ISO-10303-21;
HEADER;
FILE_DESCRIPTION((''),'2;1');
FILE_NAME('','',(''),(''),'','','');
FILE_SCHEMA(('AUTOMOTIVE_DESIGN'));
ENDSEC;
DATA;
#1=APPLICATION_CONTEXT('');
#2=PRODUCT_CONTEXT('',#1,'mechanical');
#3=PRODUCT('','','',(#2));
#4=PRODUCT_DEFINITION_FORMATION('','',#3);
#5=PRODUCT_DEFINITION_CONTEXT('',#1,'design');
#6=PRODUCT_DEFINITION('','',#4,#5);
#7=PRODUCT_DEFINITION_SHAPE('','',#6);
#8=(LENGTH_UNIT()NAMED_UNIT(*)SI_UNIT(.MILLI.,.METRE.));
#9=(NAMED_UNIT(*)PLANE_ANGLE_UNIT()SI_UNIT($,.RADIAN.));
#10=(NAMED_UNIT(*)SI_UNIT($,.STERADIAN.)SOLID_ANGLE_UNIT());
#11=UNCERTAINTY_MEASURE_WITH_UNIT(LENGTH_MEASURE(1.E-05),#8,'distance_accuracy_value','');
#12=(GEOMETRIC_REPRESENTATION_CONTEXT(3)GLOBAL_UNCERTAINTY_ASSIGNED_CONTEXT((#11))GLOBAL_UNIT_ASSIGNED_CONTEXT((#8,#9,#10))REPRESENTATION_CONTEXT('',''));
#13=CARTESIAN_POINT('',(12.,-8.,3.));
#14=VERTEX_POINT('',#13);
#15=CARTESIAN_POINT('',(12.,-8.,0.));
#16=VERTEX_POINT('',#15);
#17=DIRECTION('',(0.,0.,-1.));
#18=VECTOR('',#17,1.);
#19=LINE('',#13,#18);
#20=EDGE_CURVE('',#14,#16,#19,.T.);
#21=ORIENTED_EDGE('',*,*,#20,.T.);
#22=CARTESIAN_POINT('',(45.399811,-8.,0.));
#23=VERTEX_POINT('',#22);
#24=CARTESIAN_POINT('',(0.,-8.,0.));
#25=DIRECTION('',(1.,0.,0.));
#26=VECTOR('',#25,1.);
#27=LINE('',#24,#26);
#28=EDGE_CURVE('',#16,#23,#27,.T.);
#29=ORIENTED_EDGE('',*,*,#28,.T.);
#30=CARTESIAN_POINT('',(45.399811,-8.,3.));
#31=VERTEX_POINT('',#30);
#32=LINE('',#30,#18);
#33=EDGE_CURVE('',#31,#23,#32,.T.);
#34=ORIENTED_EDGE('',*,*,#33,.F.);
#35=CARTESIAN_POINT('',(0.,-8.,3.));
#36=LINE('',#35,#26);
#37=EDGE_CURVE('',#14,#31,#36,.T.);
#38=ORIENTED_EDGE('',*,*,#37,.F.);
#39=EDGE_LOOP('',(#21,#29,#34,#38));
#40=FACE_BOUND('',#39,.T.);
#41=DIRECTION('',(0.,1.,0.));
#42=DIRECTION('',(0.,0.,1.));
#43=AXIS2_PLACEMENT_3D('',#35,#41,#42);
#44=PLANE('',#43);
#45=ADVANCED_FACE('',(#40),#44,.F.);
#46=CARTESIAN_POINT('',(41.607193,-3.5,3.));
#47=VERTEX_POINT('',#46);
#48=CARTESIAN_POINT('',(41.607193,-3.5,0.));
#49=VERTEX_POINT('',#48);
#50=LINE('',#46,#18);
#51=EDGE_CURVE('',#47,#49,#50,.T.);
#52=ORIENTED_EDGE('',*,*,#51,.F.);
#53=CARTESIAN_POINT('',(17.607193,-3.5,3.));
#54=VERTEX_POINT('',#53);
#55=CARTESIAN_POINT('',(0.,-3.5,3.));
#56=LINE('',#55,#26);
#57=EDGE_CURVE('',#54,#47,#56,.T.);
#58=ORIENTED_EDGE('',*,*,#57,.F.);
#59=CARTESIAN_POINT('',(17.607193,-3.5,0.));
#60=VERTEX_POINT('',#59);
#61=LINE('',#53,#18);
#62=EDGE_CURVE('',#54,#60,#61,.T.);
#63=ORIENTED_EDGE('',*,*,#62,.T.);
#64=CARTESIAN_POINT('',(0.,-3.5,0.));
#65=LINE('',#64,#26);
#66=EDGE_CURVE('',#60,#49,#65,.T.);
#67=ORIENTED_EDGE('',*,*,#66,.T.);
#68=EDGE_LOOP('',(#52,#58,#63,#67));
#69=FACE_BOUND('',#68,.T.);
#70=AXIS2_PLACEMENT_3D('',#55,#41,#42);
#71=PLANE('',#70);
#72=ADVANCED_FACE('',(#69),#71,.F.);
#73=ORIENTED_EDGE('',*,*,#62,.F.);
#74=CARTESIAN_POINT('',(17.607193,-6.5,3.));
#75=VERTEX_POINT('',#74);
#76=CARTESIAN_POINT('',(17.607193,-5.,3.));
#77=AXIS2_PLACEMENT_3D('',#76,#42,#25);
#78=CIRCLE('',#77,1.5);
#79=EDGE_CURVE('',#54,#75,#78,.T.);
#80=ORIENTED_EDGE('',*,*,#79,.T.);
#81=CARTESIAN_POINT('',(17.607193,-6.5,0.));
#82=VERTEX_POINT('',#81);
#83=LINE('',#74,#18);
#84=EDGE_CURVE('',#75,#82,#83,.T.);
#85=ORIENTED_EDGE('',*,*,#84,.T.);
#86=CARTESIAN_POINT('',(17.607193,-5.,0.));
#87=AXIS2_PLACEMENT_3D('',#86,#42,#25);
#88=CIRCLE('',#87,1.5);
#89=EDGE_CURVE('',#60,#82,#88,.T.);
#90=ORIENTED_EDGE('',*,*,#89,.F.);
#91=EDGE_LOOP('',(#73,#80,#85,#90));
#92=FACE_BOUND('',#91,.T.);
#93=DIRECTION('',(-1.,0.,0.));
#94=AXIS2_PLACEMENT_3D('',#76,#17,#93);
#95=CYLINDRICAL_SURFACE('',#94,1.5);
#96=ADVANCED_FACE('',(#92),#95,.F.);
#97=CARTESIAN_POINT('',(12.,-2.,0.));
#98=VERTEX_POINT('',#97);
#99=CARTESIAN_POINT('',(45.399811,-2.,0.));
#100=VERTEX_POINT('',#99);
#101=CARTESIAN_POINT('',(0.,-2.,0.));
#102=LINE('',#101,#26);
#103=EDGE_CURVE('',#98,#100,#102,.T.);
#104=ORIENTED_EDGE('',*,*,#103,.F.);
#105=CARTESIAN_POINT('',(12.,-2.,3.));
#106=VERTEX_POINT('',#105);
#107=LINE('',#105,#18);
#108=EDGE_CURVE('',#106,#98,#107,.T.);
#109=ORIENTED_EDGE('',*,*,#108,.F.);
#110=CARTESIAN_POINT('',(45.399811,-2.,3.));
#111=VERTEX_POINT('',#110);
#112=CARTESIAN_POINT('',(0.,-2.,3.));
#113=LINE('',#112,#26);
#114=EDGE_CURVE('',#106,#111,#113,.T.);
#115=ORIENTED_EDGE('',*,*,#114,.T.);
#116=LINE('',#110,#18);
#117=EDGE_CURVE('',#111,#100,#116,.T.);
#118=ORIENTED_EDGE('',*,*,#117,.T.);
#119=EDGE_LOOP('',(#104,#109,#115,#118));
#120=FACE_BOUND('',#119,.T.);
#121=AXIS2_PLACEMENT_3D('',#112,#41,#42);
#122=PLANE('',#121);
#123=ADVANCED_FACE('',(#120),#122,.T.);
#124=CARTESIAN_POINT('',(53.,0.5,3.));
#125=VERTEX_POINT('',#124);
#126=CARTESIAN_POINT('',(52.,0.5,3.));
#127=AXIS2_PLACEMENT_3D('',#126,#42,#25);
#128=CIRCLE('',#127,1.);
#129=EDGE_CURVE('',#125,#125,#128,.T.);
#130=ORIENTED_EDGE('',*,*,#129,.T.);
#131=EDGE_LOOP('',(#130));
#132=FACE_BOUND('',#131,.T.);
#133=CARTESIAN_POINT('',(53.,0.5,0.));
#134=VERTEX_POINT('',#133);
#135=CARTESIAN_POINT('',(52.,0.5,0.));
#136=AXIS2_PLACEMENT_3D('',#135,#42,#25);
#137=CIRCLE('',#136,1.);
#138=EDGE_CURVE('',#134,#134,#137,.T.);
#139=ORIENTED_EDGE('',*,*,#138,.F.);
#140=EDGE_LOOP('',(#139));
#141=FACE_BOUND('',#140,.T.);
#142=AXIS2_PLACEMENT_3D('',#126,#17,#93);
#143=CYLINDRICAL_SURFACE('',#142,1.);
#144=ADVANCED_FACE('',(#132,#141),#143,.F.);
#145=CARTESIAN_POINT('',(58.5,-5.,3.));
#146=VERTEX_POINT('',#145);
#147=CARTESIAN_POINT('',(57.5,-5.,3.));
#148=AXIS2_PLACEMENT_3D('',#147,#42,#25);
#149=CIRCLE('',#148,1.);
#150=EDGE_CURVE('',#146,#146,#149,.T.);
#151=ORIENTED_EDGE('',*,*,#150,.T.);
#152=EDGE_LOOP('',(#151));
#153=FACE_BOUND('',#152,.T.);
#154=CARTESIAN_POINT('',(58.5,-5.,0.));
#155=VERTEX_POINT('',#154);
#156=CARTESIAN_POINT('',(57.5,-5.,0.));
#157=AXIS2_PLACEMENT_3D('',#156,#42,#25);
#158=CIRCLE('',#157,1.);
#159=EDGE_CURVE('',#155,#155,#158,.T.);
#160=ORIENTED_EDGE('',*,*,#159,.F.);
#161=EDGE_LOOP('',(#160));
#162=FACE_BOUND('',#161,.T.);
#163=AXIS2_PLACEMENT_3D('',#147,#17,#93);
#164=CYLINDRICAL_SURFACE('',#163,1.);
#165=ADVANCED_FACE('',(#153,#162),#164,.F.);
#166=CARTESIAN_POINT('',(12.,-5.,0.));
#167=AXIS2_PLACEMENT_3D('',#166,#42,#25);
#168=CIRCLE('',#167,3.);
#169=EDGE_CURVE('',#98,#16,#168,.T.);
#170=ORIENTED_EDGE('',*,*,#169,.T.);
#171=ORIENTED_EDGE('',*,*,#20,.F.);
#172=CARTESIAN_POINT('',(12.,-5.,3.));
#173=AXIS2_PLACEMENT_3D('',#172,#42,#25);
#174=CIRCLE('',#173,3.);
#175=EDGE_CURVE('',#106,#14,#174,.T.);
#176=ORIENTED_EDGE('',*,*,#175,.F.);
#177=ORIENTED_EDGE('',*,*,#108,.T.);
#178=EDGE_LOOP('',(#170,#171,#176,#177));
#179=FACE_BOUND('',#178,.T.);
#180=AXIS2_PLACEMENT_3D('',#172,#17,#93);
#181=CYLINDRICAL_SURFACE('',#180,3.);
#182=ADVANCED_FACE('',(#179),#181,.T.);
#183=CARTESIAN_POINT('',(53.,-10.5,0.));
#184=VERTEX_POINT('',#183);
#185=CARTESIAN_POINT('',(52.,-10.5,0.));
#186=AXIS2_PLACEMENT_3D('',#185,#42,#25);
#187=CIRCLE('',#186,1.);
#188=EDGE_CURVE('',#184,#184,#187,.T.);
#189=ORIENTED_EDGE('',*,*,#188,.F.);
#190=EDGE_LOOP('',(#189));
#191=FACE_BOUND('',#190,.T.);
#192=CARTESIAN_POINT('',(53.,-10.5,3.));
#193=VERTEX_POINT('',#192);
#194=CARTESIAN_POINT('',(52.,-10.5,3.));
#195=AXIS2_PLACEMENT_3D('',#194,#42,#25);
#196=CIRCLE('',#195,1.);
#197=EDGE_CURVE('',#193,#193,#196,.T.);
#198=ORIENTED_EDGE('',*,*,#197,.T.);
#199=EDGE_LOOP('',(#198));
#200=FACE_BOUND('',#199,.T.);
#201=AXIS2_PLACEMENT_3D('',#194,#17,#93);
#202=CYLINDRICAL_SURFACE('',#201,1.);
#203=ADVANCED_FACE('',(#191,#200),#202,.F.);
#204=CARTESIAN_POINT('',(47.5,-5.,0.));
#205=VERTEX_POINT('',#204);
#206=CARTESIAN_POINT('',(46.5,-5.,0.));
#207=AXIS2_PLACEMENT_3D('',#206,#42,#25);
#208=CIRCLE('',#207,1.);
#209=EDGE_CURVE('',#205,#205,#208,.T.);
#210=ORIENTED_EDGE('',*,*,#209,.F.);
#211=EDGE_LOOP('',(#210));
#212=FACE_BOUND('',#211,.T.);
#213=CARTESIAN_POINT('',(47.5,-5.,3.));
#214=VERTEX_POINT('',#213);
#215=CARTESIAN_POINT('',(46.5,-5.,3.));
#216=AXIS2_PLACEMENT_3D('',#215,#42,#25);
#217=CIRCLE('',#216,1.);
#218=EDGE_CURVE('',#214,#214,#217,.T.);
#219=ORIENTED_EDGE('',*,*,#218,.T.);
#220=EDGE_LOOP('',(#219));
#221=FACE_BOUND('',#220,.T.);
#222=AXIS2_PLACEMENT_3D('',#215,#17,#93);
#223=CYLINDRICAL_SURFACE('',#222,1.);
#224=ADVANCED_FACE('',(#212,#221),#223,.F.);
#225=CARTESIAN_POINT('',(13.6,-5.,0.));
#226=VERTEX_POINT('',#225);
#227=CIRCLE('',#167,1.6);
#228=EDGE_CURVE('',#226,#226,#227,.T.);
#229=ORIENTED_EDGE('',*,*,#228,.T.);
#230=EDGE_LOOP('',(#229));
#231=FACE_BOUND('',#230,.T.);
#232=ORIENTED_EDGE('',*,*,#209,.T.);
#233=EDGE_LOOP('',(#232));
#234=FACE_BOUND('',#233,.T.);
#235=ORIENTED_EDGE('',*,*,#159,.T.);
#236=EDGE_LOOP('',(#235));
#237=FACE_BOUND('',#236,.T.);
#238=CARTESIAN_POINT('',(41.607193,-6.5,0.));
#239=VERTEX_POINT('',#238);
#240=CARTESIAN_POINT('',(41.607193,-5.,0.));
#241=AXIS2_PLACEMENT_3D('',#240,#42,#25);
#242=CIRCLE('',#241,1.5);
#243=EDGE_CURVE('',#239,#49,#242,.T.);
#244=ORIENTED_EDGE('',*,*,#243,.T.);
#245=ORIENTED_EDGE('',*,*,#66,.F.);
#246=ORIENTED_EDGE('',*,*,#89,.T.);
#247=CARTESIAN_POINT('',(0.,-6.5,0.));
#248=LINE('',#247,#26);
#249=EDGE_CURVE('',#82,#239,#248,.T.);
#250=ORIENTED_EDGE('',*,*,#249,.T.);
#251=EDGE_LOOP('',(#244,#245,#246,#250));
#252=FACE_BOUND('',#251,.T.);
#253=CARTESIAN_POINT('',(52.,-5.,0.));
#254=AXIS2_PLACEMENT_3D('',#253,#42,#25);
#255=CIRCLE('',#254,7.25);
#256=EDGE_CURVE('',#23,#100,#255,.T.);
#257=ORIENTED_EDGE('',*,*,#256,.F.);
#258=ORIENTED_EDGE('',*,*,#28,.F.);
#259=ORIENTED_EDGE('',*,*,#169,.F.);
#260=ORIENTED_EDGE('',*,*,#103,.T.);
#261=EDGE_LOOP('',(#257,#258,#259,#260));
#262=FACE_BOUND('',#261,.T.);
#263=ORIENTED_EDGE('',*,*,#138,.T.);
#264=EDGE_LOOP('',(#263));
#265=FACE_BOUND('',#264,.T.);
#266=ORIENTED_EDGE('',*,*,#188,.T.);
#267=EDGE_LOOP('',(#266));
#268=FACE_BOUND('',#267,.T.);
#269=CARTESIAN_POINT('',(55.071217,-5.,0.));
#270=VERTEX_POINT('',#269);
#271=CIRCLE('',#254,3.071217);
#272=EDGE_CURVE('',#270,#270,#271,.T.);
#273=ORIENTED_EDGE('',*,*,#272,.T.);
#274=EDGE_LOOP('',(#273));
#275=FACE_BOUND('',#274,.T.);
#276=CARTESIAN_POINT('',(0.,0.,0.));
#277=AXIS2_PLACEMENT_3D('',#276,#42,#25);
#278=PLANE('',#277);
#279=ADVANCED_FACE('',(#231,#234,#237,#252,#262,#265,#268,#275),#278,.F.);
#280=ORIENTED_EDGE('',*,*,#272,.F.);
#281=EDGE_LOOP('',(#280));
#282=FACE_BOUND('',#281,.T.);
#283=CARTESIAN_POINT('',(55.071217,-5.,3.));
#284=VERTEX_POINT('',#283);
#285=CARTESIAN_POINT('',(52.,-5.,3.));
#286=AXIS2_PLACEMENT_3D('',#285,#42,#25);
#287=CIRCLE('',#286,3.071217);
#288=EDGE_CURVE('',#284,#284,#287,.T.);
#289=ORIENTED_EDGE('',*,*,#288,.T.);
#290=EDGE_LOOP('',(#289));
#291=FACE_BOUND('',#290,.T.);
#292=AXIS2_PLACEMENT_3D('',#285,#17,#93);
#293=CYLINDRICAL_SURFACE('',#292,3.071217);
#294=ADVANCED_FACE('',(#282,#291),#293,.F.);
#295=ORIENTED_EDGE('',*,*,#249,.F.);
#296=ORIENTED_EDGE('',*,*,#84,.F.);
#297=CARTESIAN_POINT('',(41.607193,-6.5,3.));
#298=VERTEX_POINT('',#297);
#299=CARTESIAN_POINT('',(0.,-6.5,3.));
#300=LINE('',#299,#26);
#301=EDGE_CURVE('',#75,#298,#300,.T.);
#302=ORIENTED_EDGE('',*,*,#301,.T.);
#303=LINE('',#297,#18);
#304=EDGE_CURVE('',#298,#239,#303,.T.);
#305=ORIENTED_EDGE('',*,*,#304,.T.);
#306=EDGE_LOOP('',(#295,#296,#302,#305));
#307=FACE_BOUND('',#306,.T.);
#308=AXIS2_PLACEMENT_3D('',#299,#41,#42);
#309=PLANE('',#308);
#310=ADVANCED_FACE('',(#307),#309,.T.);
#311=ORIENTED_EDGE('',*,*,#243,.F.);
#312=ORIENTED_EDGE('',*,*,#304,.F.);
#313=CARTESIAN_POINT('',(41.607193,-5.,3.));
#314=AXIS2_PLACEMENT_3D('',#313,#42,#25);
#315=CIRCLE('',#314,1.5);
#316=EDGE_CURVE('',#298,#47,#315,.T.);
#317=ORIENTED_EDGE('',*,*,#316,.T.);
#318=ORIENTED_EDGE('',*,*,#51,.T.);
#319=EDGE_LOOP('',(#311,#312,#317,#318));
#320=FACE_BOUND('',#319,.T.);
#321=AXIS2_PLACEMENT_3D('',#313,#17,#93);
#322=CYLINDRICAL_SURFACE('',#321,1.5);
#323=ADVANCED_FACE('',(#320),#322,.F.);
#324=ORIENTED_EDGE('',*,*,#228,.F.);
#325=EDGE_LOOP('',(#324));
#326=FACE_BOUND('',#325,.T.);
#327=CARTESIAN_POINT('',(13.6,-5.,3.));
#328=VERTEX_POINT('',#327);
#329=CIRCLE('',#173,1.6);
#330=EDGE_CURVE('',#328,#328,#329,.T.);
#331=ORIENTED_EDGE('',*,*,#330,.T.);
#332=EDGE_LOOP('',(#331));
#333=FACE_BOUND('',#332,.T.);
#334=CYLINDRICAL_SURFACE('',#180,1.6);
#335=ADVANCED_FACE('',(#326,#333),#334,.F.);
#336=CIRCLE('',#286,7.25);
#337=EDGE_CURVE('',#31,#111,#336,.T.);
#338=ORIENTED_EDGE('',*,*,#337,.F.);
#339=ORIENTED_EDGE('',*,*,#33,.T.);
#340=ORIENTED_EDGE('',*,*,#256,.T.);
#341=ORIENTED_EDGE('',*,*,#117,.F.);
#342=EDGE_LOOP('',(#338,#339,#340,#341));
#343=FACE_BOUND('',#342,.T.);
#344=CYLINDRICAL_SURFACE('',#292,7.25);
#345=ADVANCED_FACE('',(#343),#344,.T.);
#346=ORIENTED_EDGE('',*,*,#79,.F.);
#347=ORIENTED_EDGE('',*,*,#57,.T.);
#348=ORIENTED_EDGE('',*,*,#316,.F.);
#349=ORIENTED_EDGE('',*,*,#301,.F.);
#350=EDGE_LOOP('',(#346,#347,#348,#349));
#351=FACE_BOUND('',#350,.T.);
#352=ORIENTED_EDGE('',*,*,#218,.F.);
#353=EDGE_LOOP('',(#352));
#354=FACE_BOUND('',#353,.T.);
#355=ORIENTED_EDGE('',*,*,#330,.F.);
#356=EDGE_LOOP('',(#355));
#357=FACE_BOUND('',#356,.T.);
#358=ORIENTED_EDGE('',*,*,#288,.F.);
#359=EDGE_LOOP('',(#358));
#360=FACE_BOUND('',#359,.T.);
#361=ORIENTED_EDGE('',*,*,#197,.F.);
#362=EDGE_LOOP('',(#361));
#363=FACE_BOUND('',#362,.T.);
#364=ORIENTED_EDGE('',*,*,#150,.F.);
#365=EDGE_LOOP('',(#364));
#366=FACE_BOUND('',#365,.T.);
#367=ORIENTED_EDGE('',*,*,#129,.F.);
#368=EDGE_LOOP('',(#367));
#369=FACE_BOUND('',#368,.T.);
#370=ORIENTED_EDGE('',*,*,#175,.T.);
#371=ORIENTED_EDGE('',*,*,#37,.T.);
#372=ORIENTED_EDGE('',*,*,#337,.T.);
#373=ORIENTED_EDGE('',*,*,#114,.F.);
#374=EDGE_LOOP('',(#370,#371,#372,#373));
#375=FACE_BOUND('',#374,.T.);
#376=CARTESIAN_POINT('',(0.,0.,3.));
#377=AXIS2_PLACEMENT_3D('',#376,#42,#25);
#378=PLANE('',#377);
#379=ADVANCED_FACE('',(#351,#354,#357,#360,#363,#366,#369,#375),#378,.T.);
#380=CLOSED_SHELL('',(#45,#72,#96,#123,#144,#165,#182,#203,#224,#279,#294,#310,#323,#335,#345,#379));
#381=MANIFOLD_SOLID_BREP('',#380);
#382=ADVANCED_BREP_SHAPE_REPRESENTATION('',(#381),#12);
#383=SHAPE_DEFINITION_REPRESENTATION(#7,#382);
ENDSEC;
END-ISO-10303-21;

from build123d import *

# Parameters (mm, degrees)
SKETCH_1_R      = 1
SKETCH_1_R_2    = 1.6
SKETCH_1_R_3    = 3.071217349
EXTRUDE_2_DEPTH = 3


with BuildPart() as part:
    # 草图1 → 凸台-拉伸2 (new body)
    with BuildSketch(Plane.XY):
        with BuildLine():
            Line((12, -8), (45.399810609, -8))
            ThreePointArc((45.399810609, -8), (59.25, -5), (45.399810609, -2))
            Line((45.399810609, -2), (12, -2))
            ThreePointArc((12, -2), (9, -5), (12, -8))
        make_face()
        with Locations((52, 0.5)):
            Circle(SKETCH_1_R, mode=Mode.SUBTRACT)
        with Locations((52, -10.5)):
            Circle(SKETCH_1_R, mode=Mode.SUBTRACT)
        with Locations((12, -5)):
            Circle(SKETCH_1_R_2, mode=Mode.SUBTRACT)
        with Locations((52, -5)):
            Circle(SKETCH_1_R_3, mode=Mode.SUBTRACT)
        with Locations((57.5, -5)):
            Circle(SKETCH_1_R, mode=Mode.SUBTRACT)
        with Locations((46.5, -5)):
            Circle(SKETCH_1_R, mode=Mode.SUBTRACT)
        with BuildLine():
            ThreePointArc((41.607192878, -6.5), (43.107192878, -5), (41.607192878, -3.5))
            Line((41.607192878, -3.5), (17.607192878, -3.5))
            ThreePointArc((17.607192878, -3.5), (16.107192878, -5), (17.607192878, -6.5))
            Line((17.607192878, -6.5), (41.607192878, -6.5))
        make_face(mode=Mode.SUBTRACT)
    extrude(amount=EXTRUDE_2_DEPTH)


solid = part.part
